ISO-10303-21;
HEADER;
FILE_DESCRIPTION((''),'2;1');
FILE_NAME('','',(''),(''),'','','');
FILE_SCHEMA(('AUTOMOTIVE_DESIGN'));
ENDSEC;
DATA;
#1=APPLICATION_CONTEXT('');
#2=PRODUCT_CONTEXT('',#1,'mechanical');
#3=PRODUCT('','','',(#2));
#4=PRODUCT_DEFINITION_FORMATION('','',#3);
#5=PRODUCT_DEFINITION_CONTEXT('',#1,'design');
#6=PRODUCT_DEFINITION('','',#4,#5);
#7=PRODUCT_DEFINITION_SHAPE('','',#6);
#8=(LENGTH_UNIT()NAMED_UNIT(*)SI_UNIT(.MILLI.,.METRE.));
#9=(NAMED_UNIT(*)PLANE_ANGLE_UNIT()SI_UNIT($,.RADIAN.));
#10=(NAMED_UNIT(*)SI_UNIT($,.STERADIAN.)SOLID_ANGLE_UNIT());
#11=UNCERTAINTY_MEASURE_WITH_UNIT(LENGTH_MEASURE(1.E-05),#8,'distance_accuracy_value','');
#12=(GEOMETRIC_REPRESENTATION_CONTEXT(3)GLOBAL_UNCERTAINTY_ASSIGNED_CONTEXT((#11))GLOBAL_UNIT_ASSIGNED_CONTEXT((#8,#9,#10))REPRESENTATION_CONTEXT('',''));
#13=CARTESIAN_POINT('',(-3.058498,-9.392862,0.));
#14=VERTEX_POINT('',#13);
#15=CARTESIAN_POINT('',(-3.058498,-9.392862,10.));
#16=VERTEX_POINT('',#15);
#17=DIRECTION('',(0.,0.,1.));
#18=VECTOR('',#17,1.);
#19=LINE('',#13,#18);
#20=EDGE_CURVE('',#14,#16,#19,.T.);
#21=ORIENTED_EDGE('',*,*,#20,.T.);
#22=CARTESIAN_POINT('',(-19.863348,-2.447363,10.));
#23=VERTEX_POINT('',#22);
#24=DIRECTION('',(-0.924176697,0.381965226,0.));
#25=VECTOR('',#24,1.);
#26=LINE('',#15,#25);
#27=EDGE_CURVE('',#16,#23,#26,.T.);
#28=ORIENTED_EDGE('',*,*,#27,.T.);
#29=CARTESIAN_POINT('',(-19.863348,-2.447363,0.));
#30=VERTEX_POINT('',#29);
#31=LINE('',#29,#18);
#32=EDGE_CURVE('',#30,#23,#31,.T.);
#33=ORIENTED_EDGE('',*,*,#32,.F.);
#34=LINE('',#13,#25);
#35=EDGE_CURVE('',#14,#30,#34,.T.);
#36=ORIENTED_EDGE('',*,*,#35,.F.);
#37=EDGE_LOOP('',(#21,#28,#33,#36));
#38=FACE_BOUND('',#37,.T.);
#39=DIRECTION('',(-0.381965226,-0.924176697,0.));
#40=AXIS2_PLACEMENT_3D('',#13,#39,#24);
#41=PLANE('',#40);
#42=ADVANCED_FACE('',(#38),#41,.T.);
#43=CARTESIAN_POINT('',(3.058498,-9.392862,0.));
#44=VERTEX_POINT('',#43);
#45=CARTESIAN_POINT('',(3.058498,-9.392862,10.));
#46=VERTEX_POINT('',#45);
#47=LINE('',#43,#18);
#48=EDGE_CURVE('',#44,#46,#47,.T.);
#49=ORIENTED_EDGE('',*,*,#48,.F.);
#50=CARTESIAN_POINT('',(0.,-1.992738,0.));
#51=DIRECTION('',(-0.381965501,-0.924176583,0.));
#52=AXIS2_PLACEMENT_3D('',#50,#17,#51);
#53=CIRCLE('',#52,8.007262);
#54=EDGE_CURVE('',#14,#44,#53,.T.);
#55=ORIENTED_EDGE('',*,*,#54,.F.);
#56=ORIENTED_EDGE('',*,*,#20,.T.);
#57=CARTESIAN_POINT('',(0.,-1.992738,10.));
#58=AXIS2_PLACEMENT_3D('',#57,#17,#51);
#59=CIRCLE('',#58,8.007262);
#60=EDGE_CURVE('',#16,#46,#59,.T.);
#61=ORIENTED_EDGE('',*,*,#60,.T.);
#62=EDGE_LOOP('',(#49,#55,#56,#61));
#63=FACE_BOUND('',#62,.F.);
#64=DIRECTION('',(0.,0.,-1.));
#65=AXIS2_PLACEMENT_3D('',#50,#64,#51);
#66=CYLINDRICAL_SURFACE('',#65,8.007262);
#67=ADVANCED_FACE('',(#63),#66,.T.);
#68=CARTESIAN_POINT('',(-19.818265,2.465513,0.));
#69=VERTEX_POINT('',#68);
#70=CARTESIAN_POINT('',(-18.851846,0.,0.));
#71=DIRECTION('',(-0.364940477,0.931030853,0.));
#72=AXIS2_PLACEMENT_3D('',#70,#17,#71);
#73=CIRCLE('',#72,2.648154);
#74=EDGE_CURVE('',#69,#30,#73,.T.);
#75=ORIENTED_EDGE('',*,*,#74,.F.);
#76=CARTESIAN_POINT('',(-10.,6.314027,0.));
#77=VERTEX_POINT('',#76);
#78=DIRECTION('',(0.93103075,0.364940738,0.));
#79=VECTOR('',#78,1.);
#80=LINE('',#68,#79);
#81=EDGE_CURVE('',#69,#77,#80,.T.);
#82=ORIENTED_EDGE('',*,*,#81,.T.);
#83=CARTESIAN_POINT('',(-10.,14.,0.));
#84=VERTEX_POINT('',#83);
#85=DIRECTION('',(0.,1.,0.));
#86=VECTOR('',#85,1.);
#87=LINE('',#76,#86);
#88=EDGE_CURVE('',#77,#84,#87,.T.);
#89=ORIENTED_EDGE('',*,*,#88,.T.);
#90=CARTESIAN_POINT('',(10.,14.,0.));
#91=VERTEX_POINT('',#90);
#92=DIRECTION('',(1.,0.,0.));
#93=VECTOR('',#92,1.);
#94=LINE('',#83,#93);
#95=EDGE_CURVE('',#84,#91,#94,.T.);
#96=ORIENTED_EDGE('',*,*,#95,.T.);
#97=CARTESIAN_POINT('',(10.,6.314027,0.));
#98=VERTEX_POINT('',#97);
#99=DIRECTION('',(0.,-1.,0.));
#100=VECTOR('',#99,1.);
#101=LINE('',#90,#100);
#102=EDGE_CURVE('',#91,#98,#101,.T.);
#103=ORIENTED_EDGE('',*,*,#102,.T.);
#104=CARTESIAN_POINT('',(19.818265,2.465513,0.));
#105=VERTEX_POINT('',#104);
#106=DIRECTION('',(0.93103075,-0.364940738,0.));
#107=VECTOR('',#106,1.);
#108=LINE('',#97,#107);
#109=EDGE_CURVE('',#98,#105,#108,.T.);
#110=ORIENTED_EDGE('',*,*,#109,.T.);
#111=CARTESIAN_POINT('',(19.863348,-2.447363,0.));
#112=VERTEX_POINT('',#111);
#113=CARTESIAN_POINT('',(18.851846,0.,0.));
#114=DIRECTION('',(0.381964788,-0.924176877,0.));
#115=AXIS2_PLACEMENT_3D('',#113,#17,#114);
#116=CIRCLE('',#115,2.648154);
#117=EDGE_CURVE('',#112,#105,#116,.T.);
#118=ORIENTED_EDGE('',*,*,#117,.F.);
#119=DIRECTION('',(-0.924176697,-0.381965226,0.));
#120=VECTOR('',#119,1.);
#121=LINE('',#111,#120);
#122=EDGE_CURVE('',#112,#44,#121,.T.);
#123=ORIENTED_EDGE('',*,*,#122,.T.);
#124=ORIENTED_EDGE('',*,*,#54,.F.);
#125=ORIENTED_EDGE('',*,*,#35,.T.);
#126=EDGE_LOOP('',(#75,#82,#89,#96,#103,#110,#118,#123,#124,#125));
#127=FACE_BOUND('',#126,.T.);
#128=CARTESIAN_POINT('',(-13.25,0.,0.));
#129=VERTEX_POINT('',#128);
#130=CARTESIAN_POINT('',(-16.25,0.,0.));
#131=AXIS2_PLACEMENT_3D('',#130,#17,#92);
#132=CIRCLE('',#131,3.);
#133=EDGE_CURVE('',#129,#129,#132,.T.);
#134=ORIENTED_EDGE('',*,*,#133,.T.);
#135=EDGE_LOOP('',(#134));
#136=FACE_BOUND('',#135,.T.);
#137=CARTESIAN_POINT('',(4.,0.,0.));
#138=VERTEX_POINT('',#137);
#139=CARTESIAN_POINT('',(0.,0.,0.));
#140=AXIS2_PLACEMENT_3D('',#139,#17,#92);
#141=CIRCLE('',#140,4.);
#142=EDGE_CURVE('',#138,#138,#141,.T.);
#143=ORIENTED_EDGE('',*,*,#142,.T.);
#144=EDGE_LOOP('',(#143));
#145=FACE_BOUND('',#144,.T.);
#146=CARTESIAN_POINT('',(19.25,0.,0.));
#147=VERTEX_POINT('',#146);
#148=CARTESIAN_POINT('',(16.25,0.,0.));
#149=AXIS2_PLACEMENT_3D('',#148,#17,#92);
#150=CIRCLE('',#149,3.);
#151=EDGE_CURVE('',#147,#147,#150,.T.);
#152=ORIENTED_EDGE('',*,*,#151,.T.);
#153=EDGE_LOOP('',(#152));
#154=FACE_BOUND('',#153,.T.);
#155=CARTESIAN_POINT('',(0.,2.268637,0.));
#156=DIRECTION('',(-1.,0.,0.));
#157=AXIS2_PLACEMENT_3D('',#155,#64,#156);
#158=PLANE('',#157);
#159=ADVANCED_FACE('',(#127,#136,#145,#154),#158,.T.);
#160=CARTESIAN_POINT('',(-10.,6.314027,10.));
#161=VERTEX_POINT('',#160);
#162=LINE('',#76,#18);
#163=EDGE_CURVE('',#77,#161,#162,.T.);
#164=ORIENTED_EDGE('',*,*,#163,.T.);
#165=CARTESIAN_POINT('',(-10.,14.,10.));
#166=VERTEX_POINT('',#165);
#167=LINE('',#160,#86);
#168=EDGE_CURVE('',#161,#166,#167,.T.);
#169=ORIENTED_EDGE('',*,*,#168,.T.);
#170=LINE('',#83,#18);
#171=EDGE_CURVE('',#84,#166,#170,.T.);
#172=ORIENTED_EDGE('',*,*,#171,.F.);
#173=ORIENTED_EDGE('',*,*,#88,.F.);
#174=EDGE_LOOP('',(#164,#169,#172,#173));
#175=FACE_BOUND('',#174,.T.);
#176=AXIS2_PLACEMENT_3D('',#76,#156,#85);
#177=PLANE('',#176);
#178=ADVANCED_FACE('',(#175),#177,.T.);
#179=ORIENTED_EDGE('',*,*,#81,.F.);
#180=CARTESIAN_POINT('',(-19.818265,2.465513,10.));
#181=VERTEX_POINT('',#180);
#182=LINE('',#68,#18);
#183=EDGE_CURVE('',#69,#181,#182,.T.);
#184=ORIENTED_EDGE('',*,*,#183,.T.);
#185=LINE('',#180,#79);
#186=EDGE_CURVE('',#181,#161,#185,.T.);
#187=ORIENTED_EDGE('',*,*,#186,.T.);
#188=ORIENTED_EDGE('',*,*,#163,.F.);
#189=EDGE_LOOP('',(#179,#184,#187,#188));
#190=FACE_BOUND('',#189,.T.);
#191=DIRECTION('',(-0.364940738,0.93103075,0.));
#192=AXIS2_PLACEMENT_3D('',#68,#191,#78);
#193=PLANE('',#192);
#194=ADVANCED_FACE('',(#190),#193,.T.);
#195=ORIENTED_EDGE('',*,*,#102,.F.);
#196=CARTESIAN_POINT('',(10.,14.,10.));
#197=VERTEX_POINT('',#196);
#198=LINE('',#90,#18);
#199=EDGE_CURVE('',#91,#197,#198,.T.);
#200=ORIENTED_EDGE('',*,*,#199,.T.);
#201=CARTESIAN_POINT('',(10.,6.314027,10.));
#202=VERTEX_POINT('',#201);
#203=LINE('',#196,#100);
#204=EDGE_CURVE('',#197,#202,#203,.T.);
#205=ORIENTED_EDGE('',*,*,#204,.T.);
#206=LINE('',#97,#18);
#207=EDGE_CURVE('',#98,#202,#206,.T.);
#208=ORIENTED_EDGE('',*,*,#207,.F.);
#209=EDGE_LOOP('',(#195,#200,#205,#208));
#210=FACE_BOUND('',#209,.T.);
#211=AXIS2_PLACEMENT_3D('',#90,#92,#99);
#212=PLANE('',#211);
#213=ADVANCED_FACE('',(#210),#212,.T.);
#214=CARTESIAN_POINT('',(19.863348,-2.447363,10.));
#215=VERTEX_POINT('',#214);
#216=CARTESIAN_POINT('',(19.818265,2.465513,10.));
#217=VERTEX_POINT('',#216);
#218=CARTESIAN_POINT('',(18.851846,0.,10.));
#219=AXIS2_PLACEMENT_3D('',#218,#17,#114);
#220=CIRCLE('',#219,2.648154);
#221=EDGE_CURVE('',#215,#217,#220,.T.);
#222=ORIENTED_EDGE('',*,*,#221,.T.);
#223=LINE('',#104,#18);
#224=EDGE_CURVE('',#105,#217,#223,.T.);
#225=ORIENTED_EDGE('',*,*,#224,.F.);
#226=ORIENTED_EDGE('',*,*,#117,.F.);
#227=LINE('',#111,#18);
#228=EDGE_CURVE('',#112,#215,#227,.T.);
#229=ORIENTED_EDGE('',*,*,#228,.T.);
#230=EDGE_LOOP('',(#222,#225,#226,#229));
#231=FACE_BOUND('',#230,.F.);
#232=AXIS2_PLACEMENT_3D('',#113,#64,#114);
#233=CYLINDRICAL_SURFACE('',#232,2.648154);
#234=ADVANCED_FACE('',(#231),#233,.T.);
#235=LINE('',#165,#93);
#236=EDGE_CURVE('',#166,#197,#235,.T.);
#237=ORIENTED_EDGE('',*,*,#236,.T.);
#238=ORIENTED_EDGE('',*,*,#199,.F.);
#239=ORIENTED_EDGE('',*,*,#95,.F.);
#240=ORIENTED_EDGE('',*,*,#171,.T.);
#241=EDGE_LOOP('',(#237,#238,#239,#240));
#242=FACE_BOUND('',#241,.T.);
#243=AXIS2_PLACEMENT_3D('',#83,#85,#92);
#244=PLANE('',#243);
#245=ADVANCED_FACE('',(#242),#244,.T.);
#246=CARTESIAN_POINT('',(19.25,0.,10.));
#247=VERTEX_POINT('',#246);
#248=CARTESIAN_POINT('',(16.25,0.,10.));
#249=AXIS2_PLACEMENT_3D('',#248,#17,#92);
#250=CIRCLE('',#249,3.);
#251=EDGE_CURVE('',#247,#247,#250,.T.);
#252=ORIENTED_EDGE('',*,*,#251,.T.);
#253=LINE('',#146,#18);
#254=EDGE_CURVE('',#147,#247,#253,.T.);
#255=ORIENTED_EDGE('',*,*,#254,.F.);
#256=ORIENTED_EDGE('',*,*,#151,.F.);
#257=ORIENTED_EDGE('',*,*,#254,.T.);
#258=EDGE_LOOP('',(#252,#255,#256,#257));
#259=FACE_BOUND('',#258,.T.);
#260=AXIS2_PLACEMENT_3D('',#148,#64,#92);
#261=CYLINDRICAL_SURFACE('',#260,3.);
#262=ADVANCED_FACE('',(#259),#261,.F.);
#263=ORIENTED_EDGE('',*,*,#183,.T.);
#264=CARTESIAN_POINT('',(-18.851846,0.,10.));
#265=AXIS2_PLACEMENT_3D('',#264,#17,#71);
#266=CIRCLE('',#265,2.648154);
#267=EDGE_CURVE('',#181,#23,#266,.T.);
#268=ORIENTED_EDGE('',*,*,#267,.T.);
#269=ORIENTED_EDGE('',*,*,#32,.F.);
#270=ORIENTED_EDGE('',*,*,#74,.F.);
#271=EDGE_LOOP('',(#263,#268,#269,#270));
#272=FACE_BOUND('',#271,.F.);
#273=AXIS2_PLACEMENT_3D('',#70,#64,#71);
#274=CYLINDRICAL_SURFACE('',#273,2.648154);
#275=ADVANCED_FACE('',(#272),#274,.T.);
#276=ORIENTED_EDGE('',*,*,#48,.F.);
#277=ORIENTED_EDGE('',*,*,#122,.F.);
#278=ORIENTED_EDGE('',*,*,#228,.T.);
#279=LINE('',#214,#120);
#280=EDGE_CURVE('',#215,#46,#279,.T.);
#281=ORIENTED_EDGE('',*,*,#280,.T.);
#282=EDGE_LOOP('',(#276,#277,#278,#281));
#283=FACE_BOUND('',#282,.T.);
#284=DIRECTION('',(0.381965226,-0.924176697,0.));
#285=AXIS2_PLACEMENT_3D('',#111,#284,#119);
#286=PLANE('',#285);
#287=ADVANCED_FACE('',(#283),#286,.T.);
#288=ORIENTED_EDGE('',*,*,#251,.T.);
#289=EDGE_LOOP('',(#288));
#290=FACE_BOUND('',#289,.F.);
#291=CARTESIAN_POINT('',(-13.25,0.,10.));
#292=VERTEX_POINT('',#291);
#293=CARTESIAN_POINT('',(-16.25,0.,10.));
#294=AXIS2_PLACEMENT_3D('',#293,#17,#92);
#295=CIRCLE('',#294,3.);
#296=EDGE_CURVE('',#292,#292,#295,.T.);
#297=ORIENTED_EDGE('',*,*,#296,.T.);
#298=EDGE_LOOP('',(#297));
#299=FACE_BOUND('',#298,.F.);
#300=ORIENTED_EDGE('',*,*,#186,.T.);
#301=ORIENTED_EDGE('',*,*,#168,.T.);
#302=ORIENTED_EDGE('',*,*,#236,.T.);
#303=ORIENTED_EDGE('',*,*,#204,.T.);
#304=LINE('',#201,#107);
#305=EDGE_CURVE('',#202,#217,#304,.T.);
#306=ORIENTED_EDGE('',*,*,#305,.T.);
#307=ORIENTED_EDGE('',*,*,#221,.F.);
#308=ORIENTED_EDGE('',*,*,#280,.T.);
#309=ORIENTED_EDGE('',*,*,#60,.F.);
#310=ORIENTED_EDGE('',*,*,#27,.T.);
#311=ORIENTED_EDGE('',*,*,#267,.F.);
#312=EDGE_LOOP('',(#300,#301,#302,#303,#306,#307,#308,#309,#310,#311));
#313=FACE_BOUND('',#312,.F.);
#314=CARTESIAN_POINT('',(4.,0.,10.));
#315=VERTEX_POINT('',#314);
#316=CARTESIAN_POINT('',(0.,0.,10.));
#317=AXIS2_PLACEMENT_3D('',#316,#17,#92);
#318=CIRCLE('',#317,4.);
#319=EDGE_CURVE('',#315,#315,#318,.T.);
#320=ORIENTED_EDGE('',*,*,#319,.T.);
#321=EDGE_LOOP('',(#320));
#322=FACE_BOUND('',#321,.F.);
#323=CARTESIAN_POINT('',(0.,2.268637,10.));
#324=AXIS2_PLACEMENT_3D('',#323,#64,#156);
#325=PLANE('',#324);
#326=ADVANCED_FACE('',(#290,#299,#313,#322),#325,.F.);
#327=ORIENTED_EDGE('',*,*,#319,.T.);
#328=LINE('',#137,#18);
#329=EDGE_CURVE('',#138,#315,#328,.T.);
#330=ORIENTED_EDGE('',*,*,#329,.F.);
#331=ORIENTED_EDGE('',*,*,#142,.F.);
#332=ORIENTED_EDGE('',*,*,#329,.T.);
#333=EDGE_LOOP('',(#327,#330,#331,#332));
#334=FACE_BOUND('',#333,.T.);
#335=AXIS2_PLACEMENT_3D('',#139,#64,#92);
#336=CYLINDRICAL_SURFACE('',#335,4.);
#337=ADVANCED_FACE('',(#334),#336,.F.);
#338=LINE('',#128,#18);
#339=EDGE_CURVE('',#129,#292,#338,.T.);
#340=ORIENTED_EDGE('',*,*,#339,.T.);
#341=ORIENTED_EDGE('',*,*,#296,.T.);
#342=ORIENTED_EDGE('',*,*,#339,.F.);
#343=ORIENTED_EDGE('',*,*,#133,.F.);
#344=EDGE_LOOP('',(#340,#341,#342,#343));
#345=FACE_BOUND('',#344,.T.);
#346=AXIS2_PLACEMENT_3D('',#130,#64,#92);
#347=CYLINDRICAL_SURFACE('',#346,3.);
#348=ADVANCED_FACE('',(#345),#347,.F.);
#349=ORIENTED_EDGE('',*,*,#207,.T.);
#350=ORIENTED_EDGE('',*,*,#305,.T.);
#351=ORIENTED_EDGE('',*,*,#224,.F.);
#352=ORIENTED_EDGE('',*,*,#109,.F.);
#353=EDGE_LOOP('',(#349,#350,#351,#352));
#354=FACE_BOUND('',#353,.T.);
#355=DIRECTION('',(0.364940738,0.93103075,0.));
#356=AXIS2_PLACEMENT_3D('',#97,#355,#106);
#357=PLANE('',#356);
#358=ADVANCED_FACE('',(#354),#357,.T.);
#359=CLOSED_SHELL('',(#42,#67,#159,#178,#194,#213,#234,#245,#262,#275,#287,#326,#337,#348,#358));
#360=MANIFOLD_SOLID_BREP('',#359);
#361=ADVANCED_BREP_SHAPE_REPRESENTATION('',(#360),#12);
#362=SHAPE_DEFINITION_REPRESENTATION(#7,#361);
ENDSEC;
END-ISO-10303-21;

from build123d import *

# Parameters (mm, degrees)
SKETCH_R   = 4
SKETCH_R_2 = 3
PAD_DEPTH  = 10


with BuildPart() as part:
    # Sketch → Pad (new body)
    with BuildSketch(Plane.XY):
        with BuildLine():
            Line((-19.818265, 2.465513), (-10, 6.314027))
            Line((-10, 6.314027), (-10, 14))
            Line((-10, 14), (10, 14))
            Line((10, 14), (10, 6.314027))
            Line((10, 6.314027), (19.818265, 2.465513))
            ThreePointArc((19.863348, -2.447363), (21.499889, 0.0243), (19.818265, 2.465513))
            Line((19.863348, -2.447363), (3.058498, -9.392862))
            ThreePointArc((-3.058498, -9.392862), (0, -10), (3.058498, -9.392862))
            Line((-3.058498, -9.392862), (-19.863348, -2.447363))
            ThreePointArc((-19.818265, 2.465513), (-21.499889, 0.0243), (-19.863348, -2.447363))
        make_face()
        Circle(SKETCH_R, mode=Mode.SUBTRACT)
        with Locations((-16.25, 0)):
            Circle(SKETCH_R_2, mode=Mode.SUBTRACT)
        with Locations((16.25, 0)):
            Circle(SKETCH_R_2, mode=Mode.SUBTRACT)
    extrude(amount=PAD_DEPTH)


solid = part.part
